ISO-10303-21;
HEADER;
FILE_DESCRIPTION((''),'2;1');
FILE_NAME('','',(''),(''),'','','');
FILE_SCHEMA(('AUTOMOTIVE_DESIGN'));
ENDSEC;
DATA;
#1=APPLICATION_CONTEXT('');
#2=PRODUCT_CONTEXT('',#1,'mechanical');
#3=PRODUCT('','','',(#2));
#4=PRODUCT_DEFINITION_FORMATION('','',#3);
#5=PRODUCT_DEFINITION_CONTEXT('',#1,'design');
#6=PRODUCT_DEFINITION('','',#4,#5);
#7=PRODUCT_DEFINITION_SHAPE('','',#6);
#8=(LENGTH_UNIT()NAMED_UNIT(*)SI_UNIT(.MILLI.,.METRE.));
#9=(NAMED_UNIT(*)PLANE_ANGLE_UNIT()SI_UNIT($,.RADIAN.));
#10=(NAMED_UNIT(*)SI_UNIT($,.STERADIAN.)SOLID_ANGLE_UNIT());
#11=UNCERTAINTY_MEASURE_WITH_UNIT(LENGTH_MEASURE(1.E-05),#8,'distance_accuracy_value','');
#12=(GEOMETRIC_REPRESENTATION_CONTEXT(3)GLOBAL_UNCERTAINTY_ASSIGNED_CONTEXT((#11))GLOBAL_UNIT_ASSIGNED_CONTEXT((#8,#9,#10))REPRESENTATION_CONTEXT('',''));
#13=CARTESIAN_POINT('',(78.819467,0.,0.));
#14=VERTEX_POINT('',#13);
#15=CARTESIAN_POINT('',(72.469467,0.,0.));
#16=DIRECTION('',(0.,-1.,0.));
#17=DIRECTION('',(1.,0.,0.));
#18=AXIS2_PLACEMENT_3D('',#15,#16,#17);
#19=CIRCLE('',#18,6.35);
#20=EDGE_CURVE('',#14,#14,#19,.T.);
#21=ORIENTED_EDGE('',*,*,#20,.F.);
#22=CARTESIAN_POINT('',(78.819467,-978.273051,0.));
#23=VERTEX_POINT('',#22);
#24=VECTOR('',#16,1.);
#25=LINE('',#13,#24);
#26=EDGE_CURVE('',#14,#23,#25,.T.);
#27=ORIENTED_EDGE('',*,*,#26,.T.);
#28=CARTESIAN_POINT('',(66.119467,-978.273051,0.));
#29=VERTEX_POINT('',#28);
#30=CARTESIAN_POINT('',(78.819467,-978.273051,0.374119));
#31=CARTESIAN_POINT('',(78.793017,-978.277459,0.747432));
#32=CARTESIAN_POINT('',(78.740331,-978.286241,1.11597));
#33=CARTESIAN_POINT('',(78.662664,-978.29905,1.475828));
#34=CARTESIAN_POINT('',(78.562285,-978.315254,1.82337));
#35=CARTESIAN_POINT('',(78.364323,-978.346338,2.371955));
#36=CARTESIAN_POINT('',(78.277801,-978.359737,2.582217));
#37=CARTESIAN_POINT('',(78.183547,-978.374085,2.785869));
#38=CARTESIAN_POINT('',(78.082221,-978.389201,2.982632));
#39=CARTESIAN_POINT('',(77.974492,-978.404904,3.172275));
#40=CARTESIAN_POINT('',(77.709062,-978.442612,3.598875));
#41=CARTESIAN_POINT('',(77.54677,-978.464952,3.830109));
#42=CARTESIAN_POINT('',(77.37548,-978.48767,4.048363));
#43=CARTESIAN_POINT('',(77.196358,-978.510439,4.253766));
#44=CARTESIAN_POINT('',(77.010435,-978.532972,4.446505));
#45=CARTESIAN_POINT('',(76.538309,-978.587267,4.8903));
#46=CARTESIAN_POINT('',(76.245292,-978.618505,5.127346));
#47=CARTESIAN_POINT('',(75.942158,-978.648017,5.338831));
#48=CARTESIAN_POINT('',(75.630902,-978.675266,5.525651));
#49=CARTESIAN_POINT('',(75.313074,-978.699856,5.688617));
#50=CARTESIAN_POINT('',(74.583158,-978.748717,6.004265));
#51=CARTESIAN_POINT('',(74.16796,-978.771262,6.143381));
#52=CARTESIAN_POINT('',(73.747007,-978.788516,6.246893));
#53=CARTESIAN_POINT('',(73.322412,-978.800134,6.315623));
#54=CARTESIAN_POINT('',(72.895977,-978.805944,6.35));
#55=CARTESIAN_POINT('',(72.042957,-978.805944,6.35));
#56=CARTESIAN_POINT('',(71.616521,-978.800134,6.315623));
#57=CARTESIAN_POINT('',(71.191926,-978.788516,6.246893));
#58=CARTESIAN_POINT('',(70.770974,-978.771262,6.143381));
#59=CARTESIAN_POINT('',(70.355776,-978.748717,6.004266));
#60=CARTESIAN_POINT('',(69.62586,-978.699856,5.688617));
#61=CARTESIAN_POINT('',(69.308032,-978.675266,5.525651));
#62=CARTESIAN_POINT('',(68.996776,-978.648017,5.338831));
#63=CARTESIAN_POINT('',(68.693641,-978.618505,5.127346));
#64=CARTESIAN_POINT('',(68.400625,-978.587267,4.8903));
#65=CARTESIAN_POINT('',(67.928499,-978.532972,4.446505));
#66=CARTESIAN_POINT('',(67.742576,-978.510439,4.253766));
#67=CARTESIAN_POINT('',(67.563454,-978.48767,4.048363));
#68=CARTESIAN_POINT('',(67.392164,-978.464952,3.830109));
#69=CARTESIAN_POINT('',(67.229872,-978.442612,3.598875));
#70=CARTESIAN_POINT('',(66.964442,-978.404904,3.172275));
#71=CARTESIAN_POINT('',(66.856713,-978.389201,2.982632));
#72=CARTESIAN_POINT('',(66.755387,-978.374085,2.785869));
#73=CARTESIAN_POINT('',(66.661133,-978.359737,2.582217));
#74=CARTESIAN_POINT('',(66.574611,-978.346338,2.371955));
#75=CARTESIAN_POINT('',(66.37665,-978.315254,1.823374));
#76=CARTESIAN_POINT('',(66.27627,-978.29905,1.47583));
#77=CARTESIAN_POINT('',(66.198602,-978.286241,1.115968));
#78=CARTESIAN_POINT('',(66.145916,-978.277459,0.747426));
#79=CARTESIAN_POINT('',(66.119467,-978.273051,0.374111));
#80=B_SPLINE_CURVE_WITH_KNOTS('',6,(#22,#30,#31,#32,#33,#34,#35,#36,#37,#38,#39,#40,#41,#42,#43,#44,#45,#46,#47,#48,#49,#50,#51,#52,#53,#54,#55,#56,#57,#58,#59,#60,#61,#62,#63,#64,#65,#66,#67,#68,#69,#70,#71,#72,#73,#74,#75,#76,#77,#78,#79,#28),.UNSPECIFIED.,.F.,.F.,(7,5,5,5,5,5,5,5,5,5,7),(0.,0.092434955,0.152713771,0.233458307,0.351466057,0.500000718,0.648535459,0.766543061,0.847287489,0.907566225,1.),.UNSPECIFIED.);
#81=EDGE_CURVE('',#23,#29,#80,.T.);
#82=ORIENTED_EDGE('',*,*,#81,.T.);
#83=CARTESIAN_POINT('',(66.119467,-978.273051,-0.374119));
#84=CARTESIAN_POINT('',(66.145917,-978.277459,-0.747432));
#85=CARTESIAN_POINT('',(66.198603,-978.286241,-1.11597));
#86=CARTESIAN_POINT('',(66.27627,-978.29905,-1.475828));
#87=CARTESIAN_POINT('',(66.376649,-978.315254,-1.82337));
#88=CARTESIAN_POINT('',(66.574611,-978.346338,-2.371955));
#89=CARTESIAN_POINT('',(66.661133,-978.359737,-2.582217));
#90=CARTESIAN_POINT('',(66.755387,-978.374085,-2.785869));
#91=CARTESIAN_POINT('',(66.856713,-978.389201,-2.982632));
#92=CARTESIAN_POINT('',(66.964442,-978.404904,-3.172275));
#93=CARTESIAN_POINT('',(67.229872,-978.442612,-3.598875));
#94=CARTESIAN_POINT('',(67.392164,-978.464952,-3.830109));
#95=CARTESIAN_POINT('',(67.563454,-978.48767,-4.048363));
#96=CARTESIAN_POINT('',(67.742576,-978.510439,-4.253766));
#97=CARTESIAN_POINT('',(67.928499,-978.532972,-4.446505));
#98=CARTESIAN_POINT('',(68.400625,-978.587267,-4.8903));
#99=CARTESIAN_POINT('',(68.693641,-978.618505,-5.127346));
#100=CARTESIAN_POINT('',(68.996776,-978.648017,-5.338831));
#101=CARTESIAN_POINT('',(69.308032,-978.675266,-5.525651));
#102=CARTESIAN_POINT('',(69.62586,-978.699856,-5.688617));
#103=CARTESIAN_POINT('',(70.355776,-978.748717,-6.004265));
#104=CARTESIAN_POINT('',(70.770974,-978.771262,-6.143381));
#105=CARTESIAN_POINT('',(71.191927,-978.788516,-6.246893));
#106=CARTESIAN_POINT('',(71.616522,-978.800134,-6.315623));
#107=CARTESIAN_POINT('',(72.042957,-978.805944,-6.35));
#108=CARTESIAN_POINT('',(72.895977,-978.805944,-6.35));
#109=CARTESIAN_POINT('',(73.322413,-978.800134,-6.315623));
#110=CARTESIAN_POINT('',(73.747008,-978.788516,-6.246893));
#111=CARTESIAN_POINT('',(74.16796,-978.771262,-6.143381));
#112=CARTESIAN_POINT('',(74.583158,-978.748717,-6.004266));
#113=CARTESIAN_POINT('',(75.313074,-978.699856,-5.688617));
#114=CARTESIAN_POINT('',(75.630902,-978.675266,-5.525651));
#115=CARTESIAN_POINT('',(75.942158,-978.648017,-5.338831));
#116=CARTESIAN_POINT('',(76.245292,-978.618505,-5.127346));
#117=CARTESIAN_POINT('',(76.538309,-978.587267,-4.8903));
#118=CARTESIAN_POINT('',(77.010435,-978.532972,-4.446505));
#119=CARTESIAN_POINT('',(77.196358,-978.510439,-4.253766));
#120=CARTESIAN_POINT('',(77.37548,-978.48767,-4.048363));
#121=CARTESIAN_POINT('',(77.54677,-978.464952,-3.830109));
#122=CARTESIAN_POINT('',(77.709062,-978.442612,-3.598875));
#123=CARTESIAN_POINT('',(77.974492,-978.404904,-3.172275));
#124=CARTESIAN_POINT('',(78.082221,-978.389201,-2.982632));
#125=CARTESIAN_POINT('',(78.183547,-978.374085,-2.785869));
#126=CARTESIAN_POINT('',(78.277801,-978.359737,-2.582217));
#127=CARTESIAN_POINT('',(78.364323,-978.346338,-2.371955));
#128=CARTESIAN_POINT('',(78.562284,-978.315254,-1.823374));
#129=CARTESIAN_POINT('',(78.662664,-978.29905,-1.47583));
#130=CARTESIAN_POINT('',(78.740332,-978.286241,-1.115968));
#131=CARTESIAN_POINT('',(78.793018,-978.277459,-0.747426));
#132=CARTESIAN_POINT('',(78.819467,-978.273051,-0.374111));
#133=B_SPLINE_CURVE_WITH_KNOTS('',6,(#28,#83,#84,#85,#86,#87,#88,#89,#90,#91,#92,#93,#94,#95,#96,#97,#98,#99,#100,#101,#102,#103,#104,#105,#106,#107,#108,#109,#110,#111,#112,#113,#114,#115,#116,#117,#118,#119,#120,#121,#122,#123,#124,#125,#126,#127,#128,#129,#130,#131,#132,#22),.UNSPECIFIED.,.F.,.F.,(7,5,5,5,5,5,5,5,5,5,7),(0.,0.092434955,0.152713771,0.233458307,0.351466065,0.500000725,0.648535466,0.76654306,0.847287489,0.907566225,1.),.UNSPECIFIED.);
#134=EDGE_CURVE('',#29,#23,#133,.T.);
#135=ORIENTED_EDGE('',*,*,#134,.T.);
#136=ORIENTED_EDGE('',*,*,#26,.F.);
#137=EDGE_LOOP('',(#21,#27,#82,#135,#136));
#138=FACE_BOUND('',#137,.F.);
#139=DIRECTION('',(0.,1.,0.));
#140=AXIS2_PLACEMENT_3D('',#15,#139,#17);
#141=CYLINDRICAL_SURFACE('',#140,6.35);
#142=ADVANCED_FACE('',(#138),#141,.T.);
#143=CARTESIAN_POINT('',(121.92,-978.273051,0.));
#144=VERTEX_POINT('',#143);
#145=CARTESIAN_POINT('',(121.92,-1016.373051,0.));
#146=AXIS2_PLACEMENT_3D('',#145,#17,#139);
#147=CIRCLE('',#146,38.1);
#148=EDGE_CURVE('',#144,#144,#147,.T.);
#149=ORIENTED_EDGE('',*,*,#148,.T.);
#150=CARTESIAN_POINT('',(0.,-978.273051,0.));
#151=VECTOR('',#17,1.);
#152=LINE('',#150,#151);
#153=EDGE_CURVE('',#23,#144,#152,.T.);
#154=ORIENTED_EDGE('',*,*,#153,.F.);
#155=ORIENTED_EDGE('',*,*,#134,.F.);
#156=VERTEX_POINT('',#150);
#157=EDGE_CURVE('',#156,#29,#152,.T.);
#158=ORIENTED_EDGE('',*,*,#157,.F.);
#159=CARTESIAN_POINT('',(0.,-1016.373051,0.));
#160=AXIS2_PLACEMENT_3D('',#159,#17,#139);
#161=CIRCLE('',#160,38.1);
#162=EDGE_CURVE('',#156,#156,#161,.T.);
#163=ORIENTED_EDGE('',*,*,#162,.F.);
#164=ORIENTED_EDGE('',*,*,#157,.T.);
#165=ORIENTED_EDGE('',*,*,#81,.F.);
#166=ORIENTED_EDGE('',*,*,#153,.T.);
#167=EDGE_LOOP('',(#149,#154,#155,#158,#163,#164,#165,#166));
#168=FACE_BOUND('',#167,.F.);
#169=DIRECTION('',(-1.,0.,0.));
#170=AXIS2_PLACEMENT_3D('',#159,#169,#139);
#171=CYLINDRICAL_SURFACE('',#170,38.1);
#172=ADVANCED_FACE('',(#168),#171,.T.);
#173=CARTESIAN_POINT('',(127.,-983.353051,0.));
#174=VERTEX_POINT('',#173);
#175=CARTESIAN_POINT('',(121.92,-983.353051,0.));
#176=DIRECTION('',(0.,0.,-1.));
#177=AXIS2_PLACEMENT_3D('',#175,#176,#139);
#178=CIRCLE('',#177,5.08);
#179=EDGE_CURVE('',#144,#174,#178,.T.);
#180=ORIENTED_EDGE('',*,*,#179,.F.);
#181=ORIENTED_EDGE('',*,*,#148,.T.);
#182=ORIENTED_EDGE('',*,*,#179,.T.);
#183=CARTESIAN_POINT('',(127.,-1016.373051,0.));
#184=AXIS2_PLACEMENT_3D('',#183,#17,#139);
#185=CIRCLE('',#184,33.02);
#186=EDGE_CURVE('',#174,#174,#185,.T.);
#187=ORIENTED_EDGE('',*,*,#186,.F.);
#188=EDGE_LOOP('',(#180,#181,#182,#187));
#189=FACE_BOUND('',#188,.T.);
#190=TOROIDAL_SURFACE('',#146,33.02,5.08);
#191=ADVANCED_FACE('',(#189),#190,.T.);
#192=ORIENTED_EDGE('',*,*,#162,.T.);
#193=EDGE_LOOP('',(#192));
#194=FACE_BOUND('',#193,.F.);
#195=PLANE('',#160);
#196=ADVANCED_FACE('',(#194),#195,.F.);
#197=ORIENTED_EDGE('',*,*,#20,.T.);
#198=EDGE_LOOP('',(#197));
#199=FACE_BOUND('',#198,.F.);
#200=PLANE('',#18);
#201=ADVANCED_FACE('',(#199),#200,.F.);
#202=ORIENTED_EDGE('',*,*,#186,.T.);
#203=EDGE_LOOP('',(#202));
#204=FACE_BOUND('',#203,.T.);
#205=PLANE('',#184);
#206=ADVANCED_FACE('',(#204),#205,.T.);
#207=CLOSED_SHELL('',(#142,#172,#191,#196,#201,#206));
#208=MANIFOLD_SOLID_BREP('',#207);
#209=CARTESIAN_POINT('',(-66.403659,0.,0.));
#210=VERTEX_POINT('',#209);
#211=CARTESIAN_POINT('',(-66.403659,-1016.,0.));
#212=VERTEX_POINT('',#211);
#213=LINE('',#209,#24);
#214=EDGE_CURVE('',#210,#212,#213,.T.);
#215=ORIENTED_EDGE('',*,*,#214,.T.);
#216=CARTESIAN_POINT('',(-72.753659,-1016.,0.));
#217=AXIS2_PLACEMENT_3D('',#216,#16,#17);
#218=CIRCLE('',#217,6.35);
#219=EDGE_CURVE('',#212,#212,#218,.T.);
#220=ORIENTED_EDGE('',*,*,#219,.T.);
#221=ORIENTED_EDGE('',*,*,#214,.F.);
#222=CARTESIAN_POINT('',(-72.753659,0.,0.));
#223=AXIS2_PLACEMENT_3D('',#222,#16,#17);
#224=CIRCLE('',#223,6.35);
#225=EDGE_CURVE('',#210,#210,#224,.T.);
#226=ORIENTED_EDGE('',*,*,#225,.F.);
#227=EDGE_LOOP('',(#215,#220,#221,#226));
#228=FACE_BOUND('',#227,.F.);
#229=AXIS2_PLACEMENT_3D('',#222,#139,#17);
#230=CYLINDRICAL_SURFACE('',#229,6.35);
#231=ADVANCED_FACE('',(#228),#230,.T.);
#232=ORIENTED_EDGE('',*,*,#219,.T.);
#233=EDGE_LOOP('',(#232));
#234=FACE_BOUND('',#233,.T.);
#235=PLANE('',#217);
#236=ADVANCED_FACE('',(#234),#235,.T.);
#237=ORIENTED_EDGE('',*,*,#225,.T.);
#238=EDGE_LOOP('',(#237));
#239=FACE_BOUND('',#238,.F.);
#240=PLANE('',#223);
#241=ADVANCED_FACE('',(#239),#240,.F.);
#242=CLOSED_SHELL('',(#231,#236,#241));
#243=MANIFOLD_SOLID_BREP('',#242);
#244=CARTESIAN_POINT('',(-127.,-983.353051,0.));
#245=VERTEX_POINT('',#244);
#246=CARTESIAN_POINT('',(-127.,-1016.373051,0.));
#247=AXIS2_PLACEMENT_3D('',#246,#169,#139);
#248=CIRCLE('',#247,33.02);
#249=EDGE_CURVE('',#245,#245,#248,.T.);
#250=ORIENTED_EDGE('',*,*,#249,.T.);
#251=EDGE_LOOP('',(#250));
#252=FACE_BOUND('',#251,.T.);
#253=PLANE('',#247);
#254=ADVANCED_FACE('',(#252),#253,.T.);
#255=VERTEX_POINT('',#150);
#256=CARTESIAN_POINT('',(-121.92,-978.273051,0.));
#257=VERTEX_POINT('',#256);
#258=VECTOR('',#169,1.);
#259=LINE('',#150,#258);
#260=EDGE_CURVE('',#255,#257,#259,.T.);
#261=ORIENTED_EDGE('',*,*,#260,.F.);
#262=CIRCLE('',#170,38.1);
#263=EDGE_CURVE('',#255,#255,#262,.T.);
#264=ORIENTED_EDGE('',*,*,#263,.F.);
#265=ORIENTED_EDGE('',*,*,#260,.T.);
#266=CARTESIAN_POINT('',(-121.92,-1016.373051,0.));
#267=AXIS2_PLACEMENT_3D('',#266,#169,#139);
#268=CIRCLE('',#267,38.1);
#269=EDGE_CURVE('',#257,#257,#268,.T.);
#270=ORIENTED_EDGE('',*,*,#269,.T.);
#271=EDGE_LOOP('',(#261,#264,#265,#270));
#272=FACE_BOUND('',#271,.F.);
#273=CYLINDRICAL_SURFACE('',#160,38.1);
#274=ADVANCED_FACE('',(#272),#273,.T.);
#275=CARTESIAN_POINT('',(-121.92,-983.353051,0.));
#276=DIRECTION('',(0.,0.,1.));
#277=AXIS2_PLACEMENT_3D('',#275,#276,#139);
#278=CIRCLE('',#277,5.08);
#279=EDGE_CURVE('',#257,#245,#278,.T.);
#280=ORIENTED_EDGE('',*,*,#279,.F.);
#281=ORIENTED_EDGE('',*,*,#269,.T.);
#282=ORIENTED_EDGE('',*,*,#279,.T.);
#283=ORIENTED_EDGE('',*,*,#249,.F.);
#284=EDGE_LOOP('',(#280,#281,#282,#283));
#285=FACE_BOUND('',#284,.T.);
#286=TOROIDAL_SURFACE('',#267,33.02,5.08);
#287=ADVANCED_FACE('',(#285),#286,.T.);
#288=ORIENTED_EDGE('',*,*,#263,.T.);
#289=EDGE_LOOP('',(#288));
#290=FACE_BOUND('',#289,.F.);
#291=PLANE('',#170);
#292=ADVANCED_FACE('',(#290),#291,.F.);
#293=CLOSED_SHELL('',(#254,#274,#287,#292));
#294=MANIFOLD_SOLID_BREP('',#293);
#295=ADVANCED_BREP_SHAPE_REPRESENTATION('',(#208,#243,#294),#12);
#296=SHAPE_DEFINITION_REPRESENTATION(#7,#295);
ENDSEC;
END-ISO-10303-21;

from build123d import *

# Parameters (mm, degrees)
F0_R      = 6.35
F1_DEPTH  = 1016
F2_R      = 38.1
F3_DEPTH  = 127
F3_FACE_R = 38.1
F4_DEPTH  = 127
F5_R      = 5.08
F6_R      = 5.08


with BuildPart() as f1:
    # F0 (on Front) → F1 (new body)
    with BuildSketch(Plane.XZ):
        with Locations((72.469467, 0)):
            Circle(F0_R)
        with Locations((-72.753659, 0)):
            Circle(F0_R)
    extrude(amount=F1_DEPTH)

    # F2 (on Right) → F3 (join)
    with BuildSketch(Plane.YZ):
        with Locations((-1016.373051, 0)):
            Circle(F2_R)
    extrude(amount=F3_DEPTH)

    # F6
    f6_edges = [f1.edges().sort_by_distance(p)[0] for p in [
        (127, -1054.473051, 0),
    ]]
    fillet(f6_edges, radius=F6_R)


with BuildPart() as f4:
    # F3_face (on face) → F4 (new body)
    with BuildSketch(Plane(origin=(0, -1016.373051, 0), x_dir=(0, 1, 0), z_dir=(-1, 0, 0))):
        Circle(F3_FACE_R)
    extrude(amount=F4_DEPTH)

    # F5
    f5_edges = [f4.edges().sort_by_distance(p)[0] for p in [
        (-127, -1054.473051, 0),
    ]]
    fillet(f5_edges, radius=F5_R)


solid = Compound([f1.part, f4.part])
